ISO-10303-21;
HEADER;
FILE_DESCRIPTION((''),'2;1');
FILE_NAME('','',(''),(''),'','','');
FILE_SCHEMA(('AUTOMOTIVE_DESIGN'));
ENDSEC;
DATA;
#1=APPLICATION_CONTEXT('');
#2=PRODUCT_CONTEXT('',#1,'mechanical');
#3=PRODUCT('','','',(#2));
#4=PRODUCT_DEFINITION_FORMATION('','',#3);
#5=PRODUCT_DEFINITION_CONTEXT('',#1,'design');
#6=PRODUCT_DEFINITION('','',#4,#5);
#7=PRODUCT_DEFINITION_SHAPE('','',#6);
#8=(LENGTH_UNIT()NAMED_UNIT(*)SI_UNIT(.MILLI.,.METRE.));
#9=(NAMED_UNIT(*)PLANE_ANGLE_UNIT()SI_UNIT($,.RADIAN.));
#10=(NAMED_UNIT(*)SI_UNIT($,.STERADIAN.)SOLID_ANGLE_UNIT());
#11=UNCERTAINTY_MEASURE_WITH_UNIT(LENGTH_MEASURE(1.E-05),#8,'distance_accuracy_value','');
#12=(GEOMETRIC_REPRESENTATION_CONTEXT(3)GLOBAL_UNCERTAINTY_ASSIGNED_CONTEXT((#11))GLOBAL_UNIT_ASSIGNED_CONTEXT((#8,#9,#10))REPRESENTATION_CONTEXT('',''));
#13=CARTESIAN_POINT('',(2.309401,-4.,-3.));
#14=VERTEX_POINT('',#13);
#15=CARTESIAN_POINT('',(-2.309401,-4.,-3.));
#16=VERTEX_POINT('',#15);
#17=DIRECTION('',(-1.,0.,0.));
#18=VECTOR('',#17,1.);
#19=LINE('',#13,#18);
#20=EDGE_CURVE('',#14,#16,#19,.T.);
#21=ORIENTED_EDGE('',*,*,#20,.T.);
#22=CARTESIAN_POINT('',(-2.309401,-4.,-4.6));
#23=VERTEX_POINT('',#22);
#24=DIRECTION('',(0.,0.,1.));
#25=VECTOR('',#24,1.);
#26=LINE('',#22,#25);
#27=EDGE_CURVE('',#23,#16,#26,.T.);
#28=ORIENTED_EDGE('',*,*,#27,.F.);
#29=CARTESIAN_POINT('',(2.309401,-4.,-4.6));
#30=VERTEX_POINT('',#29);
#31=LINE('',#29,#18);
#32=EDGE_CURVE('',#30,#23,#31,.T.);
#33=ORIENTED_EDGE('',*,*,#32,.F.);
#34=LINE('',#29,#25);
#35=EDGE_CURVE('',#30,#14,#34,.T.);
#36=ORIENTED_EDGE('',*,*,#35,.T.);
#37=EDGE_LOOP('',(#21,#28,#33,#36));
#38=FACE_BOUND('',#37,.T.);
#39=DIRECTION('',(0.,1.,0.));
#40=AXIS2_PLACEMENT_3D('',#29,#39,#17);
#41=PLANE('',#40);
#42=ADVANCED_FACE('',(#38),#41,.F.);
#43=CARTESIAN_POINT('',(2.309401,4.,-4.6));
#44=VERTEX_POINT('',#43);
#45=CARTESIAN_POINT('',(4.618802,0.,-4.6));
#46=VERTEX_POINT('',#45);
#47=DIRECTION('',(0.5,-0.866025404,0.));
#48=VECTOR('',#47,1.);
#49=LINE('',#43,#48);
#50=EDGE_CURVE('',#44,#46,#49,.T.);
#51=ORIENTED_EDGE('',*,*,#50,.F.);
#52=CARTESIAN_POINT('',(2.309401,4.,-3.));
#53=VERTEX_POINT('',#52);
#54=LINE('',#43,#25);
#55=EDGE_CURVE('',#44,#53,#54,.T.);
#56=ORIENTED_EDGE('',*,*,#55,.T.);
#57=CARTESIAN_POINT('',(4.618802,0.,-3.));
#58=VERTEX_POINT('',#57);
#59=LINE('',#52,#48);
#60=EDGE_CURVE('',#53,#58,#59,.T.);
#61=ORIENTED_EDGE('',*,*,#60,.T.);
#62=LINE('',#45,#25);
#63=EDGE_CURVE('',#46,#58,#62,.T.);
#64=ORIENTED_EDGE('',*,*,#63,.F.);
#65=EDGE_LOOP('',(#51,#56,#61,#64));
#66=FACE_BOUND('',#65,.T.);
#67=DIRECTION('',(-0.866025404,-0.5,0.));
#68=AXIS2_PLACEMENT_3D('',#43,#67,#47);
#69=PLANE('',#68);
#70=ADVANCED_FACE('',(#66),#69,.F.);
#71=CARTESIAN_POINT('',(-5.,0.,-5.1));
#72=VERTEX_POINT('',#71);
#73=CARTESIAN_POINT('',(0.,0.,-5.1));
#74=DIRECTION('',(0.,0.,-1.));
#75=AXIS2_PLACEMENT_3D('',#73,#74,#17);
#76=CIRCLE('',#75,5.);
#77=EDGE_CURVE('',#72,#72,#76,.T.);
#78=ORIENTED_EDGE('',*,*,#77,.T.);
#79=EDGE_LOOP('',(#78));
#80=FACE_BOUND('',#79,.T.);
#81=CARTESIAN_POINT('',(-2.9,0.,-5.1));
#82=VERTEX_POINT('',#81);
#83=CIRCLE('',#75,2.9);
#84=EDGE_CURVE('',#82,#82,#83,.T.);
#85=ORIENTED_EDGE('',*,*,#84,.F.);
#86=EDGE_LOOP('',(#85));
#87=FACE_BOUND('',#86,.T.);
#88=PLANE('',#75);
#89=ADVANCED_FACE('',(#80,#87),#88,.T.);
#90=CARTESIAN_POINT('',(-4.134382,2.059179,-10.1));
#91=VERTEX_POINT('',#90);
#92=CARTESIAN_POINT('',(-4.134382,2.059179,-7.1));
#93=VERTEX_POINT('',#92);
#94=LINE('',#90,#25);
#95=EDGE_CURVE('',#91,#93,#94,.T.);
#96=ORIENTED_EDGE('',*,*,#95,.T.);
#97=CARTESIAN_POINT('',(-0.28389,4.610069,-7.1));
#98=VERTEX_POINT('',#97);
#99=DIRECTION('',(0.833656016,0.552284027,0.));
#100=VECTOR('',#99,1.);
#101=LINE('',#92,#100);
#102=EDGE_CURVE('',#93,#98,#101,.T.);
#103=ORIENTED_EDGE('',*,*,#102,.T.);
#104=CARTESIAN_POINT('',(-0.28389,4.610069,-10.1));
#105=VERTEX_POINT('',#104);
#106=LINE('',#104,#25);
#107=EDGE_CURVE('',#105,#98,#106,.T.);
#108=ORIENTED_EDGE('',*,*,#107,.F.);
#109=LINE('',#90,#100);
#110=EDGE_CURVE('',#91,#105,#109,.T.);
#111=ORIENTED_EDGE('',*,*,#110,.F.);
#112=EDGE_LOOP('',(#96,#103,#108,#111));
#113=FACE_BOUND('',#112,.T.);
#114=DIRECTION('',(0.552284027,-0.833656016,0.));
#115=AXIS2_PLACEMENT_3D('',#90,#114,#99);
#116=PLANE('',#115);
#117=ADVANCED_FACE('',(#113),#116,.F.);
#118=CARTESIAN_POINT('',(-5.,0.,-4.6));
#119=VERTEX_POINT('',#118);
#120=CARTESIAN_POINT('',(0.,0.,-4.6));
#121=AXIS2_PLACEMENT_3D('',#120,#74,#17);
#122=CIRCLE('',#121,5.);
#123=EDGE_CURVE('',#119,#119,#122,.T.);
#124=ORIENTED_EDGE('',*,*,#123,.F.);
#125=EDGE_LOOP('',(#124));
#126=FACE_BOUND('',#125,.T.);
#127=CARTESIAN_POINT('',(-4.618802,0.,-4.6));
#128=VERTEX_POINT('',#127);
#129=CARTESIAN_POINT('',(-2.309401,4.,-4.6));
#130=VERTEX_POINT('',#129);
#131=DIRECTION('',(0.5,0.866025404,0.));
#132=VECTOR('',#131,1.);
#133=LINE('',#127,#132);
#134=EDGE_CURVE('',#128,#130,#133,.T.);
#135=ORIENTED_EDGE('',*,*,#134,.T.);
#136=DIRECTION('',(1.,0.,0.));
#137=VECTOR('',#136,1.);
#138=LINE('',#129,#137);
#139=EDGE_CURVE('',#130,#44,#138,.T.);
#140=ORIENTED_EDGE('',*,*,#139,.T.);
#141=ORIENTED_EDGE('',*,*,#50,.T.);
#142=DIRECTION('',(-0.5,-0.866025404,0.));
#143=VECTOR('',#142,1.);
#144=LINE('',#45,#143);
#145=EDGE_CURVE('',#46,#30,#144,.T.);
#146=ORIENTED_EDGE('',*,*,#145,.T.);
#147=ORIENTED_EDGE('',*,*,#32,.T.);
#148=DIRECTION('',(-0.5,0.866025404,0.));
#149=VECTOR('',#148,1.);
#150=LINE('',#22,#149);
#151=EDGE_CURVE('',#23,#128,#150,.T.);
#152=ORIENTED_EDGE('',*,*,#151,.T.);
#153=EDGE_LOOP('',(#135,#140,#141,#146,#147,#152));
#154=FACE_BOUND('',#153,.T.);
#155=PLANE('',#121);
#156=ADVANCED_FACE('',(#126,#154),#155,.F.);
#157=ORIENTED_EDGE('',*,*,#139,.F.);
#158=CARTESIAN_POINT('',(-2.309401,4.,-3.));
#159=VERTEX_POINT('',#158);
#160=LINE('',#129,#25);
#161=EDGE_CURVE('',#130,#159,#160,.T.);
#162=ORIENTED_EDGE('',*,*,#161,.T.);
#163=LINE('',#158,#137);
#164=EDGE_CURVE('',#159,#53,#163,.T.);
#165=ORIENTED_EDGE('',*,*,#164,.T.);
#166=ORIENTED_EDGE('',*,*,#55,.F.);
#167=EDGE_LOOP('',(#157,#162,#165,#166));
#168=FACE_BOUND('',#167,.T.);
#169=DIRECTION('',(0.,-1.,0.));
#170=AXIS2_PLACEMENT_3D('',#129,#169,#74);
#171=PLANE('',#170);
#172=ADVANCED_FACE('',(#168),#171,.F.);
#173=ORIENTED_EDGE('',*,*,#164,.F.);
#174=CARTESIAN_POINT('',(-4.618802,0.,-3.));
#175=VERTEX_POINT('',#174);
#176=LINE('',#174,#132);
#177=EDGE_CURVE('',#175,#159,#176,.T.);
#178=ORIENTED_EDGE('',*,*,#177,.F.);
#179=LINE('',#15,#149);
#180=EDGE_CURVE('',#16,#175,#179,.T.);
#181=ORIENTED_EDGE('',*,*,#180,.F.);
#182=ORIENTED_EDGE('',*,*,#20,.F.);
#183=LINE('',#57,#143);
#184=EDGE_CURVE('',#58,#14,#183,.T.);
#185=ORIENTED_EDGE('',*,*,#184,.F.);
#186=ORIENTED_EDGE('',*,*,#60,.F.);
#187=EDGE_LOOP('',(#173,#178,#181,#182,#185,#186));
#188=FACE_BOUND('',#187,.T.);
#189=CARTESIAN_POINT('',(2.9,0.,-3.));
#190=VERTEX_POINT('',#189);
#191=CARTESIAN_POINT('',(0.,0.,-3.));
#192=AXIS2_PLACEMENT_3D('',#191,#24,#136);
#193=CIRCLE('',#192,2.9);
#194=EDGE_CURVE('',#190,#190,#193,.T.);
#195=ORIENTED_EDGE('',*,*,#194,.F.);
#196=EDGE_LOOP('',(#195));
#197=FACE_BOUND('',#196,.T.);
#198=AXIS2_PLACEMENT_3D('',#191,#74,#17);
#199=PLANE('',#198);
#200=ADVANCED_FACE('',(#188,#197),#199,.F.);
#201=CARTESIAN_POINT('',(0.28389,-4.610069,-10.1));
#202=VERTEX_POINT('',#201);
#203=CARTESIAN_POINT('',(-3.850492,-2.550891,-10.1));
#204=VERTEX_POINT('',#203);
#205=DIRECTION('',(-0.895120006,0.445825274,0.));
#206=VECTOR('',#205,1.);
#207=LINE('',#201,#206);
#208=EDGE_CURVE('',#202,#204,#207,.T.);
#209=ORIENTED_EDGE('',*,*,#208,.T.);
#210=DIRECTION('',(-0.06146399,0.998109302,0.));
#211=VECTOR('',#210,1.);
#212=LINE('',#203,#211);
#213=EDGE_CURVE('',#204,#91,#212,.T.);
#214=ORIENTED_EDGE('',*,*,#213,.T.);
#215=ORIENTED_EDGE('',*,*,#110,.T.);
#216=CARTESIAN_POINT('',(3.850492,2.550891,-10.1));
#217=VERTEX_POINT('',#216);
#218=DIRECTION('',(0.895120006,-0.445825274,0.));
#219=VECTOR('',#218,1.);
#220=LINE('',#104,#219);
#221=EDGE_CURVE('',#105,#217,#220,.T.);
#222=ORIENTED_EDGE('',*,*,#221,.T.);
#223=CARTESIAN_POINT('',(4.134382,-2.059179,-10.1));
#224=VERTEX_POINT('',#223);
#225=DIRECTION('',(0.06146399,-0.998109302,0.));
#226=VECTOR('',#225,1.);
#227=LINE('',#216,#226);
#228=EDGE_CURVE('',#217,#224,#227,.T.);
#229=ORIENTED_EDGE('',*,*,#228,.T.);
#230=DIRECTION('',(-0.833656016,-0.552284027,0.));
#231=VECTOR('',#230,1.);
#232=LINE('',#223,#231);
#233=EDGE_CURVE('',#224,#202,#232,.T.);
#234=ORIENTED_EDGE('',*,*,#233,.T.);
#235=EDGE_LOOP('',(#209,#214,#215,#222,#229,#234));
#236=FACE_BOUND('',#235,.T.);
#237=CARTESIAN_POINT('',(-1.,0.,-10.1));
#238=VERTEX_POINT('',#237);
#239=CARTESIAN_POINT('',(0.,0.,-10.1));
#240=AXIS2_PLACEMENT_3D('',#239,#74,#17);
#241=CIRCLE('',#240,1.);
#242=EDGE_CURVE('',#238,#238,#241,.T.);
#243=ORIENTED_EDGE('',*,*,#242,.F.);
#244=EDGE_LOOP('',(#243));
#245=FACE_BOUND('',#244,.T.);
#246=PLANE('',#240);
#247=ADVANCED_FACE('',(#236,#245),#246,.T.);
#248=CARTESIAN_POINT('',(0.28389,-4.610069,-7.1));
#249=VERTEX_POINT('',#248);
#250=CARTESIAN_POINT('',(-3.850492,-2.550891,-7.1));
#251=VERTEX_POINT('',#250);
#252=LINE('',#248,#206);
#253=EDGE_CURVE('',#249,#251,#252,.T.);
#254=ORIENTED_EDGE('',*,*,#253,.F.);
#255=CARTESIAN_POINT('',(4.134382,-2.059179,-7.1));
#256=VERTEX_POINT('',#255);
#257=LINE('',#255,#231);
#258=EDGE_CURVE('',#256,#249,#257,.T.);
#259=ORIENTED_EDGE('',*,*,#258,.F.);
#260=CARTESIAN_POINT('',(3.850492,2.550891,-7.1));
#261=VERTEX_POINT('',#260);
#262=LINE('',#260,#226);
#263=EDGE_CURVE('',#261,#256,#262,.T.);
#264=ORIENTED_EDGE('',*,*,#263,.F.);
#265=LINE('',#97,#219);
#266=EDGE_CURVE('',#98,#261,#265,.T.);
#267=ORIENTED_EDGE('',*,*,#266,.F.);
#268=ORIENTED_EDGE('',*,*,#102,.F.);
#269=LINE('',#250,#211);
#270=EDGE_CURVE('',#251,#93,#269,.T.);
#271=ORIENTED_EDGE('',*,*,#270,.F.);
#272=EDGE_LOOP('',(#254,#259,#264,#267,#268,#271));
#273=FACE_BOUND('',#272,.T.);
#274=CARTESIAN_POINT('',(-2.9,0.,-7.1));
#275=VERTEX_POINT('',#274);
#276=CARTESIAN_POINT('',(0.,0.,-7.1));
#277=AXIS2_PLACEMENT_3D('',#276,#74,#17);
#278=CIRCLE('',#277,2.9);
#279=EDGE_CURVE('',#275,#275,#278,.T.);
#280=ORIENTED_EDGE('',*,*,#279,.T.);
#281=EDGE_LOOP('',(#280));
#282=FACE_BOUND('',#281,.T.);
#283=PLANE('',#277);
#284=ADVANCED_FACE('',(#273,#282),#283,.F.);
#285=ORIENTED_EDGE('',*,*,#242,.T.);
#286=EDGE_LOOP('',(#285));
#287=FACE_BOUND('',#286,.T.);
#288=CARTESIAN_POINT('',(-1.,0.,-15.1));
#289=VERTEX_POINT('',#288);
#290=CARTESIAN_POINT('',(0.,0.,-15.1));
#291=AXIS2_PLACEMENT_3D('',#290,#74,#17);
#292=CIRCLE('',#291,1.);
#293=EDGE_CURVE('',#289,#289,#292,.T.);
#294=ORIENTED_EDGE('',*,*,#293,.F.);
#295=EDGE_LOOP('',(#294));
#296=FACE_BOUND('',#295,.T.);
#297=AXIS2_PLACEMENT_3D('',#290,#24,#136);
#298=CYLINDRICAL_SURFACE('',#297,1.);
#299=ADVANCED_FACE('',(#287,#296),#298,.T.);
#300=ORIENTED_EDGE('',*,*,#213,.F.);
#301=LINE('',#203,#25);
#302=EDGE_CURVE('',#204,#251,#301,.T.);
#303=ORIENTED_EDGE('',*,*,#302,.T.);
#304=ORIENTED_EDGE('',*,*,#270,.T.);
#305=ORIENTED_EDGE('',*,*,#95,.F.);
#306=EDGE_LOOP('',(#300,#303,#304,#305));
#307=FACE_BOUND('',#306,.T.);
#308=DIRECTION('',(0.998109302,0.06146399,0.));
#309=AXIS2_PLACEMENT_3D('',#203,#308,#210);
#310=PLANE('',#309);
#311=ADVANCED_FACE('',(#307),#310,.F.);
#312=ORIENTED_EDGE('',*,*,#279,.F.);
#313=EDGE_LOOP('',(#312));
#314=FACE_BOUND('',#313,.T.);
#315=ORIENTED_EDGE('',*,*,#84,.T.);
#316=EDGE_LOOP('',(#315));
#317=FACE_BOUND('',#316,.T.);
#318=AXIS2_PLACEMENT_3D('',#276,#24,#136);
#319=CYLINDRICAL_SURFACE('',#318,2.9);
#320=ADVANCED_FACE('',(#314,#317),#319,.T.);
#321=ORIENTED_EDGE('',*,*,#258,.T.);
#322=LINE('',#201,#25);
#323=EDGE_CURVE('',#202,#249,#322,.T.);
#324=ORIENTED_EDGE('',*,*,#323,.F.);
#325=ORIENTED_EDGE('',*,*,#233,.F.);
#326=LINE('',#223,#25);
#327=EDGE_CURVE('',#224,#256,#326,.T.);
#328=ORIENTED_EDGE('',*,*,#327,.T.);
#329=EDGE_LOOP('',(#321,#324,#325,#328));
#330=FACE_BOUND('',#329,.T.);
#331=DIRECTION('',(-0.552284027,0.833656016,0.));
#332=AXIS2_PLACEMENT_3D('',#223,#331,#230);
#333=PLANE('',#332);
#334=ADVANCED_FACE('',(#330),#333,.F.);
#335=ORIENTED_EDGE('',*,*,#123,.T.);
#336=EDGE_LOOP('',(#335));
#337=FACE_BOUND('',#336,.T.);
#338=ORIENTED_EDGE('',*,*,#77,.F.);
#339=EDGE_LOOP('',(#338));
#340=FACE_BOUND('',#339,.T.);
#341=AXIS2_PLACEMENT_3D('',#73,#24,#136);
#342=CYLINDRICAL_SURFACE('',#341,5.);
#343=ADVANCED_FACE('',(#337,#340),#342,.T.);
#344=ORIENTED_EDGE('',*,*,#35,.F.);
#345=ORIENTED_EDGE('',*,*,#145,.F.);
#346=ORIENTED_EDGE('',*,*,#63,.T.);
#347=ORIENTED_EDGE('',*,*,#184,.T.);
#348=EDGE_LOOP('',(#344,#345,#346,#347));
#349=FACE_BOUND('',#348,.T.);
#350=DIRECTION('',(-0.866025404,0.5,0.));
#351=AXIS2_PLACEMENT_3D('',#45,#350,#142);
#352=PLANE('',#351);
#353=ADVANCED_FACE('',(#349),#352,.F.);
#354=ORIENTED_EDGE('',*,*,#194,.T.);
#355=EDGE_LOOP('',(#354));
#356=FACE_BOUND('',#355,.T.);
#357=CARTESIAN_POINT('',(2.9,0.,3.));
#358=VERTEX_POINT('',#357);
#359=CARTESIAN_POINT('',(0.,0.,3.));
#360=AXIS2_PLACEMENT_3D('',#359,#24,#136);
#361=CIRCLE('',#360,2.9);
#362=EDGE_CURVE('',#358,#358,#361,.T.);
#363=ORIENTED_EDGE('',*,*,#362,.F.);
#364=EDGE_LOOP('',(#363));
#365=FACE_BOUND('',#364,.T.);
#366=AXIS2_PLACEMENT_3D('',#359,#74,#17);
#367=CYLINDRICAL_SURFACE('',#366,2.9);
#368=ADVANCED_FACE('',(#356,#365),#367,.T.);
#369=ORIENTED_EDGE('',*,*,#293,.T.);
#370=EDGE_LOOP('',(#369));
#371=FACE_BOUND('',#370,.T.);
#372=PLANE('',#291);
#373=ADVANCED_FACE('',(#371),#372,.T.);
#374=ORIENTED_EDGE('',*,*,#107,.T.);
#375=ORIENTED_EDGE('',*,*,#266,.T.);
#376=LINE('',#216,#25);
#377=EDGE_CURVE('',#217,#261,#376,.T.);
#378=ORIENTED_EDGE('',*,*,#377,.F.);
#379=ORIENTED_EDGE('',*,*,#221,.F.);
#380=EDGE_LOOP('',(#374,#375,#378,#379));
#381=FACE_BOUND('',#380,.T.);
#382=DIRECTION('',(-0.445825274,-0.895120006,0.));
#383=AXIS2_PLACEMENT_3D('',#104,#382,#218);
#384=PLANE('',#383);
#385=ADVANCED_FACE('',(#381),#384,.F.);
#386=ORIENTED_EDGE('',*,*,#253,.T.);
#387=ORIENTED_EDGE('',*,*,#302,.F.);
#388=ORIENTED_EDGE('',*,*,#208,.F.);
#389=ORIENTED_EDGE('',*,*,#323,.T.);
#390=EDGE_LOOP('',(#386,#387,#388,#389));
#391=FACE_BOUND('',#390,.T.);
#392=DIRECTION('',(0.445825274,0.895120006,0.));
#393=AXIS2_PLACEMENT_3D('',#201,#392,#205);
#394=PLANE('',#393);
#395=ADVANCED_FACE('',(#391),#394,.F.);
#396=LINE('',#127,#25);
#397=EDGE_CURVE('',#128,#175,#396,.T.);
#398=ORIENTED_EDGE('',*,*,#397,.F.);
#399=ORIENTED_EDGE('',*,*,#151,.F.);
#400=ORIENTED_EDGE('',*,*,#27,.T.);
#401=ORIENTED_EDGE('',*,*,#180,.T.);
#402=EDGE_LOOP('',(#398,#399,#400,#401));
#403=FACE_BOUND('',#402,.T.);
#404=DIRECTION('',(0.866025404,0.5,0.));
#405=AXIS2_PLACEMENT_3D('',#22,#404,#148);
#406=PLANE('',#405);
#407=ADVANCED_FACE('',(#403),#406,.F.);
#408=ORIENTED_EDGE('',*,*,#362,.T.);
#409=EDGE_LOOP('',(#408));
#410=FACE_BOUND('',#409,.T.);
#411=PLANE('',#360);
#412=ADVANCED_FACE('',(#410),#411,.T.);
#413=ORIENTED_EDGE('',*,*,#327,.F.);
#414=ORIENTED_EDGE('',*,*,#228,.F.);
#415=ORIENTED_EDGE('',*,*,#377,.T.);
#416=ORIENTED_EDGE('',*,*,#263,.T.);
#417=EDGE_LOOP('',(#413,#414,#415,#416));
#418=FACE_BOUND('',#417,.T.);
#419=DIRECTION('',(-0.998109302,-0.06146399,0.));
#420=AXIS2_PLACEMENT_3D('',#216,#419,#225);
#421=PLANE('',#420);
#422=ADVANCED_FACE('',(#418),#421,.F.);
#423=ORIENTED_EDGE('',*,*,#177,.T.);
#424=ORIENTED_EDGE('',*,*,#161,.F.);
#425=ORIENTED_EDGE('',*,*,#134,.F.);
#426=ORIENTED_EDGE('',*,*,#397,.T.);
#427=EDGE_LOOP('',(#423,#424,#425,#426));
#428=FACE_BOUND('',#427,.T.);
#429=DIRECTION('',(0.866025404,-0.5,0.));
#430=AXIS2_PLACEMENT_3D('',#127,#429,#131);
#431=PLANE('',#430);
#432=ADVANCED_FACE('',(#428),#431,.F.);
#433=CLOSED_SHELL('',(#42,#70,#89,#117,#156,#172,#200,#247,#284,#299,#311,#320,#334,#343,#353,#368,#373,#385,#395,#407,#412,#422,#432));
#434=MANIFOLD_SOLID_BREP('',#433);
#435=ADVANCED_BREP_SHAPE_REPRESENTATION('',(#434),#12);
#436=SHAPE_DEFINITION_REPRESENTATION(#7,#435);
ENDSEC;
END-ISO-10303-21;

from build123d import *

# Parameters (mm, degrees)
SKETCH1_R           = 2.9
BOSS_EXTRUDE1_DEPTH = 3
BOSS_EXTRUDE2_DEPTH = 1.6
SKETCH3_R           = 5
BOSS_EXTRUDE3_DEPTH = 0.5
SKETCH4_R           = 2.9
BOSS_EXTRUDE4_DEPTH = 2
BOSS_EXTRUDE5_DEPTH = 3
SKETCH6_R           = 1
BOSS_EXTRUDE6_DEPTH = 5


with BuildPart() as part:
    # Sketch1 → Boss-Extrude1 (new, symmetric)
    with BuildSketch(Plane.XY):
        Circle(SKETCH1_R)
    extrude(amount=BOSS_EXTRUDE1_DEPTH, both=True)

    # Sketch2 → Boss-Extrude2 (add)
    with BuildSketch(Plane(origin=(0, 0, -3), x_dir=(-1, 0, 0), z_dir=(0, 0, -1))):
        Polygon((4.618802154, 0), (2.309401077, 4), (-2.309401077, 4), (-4.618802154, 0), (-2.309401077, -4), (2.309401077, -4), align=None)
    extrude(amount=BOSS_EXTRUDE2_DEPTH)

    # Sketch3 → Boss-Extrude3 (add)
    with BuildSketch(Plane(origin=(0, 0, -4.6), x_dir=(-1, 0, 0), z_dir=(0, 0, -1))):
        Circle(SKETCH3_R)
    extrude(amount=BOSS_EXTRUDE3_DEPTH)

    # Sketch4 → Boss-Extrude4 (add)
    with BuildSketch(Plane(origin=(0, 0, -5.1), x_dir=(-1, 0, 0), z_dir=(0, 0, -1))):
        with Locations(Location((0, 0, 0), (0, 0, 180))):
            Circle(SKETCH4_R)
    extrude(amount=BOSS_EXTRUDE4_DEPTH)

    # Sketch5 → Boss-Extrude5 (add)
    with BuildSketch(Plane(origin=(0, 0, -7.1), x_dir=(-1, 0, 0), z_dir=(0, 0, -1))):
        Polygon((4.134382211, 2.059178737), (0.283890008, 4.610069392), (-3.850492202, 2.550890655), (-4.134382211, -2.059178737), (-0.283890008, -4.610069392), (3.850492202, -2.550890655), align=None)
    extrude(amount=BOSS_EXTRUDE5_DEPTH)

    # Sketch6 → Boss-Extrude6 (add)
    with BuildSketch(Plane(origin=(0, 0, -10.1), x_dir=(-1, 0, 0), z_dir=(0, 0, -1))):
        Circle(SKETCH6_R)
    extrude(amount=BOSS_EXTRUDE6_DEPTH)


solid = part.part
